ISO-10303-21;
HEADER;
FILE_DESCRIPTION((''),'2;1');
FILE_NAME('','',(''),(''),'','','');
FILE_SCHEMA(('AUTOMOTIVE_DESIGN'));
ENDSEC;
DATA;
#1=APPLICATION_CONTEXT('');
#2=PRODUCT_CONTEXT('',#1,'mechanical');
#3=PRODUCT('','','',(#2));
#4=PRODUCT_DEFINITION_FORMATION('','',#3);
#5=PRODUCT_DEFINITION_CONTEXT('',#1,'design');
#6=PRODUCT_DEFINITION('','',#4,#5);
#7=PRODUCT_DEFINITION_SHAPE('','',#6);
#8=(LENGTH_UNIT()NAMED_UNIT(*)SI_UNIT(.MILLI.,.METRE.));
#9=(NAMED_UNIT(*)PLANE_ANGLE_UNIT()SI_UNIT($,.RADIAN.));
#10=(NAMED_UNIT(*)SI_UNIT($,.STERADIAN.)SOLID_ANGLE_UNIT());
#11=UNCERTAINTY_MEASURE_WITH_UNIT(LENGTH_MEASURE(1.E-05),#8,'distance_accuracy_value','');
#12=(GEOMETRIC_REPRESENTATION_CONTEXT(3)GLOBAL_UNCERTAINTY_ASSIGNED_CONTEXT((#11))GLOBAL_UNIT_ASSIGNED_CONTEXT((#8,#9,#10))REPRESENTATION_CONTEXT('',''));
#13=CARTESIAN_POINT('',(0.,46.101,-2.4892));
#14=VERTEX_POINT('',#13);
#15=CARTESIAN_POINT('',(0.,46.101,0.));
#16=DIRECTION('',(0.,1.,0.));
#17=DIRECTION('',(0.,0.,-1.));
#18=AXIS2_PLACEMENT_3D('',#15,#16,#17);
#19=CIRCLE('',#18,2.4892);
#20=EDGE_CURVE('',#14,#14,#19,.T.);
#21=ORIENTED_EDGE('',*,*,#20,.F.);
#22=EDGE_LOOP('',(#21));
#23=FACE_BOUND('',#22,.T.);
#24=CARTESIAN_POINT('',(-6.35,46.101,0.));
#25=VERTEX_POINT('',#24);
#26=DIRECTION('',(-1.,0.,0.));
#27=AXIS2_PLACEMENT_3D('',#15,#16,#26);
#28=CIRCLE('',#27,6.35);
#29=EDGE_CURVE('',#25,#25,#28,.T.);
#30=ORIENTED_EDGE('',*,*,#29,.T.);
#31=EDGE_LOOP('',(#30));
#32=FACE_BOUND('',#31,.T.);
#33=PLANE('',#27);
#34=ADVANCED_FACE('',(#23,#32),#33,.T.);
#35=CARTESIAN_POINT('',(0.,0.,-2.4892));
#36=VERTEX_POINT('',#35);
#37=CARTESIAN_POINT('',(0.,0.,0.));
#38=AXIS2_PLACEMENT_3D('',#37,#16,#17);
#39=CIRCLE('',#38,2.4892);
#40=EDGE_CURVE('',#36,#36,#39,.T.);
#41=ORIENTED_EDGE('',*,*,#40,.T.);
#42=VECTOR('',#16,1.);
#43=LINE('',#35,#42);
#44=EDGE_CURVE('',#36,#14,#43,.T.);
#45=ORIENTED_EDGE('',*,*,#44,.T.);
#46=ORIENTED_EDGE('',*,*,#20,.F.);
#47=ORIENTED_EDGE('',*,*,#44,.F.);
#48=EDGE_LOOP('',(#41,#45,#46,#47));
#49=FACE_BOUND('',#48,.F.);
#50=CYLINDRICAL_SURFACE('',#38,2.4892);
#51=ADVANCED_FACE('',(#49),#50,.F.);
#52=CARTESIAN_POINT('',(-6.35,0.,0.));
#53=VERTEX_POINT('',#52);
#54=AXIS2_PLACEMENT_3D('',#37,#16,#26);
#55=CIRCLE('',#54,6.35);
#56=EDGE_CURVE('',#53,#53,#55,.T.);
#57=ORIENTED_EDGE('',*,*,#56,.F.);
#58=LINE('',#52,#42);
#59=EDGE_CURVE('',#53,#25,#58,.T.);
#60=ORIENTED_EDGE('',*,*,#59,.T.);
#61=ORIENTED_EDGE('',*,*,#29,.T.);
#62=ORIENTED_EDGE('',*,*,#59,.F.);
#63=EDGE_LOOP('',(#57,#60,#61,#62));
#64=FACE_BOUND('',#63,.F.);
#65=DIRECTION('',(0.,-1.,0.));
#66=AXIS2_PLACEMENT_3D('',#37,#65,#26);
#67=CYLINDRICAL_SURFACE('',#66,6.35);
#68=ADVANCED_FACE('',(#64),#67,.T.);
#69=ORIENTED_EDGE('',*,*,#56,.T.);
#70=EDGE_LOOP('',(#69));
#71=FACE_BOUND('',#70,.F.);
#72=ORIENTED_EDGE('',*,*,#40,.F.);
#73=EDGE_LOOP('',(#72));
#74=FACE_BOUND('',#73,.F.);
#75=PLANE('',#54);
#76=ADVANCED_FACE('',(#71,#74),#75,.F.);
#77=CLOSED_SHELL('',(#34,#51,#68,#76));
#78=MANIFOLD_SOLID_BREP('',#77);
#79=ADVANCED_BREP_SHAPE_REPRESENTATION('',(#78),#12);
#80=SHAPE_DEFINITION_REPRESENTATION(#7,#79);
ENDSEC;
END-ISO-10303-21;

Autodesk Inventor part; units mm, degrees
ref_plane "YZ Plane" through (0, 0, 0) normal (1, 0, 0) x (0, 1, 0)
ref_plane "XZ Plane" through (0, 0, 0) normal (0, 1, 0) x (-1, 0, 0)
ref_plane "XY Plane" through (0, 0, 0) normal (0, 0, 1) x (1, 0, 0)
sketch "Sketch1" plane through (0, 0, 0) normal (0, 1, 0) x (-1, 0, 0)
  circle A0 centre (0, 0) radius 6.35
  dimension "d0" = 12.7
extrude "Extrusion1" add sketch "Sketch1" along normal blind 46.101
sketch "Sketch2" plane through (0, 0, 0) normal (0, -1, 0) x (1, 0, 0)
  point P0 (0, 0)
  point P1 (0, 0)
hole "Hole1" at (0, 0, 0) direction (0, 1, 0) diameter 4.9784 end through all thread size "1/4-20 UNC" class "2B" standard "ANSI Unified Screw Threads"
properties part number "SHOY_019_Spacer5" material "Aluminum 6061"
